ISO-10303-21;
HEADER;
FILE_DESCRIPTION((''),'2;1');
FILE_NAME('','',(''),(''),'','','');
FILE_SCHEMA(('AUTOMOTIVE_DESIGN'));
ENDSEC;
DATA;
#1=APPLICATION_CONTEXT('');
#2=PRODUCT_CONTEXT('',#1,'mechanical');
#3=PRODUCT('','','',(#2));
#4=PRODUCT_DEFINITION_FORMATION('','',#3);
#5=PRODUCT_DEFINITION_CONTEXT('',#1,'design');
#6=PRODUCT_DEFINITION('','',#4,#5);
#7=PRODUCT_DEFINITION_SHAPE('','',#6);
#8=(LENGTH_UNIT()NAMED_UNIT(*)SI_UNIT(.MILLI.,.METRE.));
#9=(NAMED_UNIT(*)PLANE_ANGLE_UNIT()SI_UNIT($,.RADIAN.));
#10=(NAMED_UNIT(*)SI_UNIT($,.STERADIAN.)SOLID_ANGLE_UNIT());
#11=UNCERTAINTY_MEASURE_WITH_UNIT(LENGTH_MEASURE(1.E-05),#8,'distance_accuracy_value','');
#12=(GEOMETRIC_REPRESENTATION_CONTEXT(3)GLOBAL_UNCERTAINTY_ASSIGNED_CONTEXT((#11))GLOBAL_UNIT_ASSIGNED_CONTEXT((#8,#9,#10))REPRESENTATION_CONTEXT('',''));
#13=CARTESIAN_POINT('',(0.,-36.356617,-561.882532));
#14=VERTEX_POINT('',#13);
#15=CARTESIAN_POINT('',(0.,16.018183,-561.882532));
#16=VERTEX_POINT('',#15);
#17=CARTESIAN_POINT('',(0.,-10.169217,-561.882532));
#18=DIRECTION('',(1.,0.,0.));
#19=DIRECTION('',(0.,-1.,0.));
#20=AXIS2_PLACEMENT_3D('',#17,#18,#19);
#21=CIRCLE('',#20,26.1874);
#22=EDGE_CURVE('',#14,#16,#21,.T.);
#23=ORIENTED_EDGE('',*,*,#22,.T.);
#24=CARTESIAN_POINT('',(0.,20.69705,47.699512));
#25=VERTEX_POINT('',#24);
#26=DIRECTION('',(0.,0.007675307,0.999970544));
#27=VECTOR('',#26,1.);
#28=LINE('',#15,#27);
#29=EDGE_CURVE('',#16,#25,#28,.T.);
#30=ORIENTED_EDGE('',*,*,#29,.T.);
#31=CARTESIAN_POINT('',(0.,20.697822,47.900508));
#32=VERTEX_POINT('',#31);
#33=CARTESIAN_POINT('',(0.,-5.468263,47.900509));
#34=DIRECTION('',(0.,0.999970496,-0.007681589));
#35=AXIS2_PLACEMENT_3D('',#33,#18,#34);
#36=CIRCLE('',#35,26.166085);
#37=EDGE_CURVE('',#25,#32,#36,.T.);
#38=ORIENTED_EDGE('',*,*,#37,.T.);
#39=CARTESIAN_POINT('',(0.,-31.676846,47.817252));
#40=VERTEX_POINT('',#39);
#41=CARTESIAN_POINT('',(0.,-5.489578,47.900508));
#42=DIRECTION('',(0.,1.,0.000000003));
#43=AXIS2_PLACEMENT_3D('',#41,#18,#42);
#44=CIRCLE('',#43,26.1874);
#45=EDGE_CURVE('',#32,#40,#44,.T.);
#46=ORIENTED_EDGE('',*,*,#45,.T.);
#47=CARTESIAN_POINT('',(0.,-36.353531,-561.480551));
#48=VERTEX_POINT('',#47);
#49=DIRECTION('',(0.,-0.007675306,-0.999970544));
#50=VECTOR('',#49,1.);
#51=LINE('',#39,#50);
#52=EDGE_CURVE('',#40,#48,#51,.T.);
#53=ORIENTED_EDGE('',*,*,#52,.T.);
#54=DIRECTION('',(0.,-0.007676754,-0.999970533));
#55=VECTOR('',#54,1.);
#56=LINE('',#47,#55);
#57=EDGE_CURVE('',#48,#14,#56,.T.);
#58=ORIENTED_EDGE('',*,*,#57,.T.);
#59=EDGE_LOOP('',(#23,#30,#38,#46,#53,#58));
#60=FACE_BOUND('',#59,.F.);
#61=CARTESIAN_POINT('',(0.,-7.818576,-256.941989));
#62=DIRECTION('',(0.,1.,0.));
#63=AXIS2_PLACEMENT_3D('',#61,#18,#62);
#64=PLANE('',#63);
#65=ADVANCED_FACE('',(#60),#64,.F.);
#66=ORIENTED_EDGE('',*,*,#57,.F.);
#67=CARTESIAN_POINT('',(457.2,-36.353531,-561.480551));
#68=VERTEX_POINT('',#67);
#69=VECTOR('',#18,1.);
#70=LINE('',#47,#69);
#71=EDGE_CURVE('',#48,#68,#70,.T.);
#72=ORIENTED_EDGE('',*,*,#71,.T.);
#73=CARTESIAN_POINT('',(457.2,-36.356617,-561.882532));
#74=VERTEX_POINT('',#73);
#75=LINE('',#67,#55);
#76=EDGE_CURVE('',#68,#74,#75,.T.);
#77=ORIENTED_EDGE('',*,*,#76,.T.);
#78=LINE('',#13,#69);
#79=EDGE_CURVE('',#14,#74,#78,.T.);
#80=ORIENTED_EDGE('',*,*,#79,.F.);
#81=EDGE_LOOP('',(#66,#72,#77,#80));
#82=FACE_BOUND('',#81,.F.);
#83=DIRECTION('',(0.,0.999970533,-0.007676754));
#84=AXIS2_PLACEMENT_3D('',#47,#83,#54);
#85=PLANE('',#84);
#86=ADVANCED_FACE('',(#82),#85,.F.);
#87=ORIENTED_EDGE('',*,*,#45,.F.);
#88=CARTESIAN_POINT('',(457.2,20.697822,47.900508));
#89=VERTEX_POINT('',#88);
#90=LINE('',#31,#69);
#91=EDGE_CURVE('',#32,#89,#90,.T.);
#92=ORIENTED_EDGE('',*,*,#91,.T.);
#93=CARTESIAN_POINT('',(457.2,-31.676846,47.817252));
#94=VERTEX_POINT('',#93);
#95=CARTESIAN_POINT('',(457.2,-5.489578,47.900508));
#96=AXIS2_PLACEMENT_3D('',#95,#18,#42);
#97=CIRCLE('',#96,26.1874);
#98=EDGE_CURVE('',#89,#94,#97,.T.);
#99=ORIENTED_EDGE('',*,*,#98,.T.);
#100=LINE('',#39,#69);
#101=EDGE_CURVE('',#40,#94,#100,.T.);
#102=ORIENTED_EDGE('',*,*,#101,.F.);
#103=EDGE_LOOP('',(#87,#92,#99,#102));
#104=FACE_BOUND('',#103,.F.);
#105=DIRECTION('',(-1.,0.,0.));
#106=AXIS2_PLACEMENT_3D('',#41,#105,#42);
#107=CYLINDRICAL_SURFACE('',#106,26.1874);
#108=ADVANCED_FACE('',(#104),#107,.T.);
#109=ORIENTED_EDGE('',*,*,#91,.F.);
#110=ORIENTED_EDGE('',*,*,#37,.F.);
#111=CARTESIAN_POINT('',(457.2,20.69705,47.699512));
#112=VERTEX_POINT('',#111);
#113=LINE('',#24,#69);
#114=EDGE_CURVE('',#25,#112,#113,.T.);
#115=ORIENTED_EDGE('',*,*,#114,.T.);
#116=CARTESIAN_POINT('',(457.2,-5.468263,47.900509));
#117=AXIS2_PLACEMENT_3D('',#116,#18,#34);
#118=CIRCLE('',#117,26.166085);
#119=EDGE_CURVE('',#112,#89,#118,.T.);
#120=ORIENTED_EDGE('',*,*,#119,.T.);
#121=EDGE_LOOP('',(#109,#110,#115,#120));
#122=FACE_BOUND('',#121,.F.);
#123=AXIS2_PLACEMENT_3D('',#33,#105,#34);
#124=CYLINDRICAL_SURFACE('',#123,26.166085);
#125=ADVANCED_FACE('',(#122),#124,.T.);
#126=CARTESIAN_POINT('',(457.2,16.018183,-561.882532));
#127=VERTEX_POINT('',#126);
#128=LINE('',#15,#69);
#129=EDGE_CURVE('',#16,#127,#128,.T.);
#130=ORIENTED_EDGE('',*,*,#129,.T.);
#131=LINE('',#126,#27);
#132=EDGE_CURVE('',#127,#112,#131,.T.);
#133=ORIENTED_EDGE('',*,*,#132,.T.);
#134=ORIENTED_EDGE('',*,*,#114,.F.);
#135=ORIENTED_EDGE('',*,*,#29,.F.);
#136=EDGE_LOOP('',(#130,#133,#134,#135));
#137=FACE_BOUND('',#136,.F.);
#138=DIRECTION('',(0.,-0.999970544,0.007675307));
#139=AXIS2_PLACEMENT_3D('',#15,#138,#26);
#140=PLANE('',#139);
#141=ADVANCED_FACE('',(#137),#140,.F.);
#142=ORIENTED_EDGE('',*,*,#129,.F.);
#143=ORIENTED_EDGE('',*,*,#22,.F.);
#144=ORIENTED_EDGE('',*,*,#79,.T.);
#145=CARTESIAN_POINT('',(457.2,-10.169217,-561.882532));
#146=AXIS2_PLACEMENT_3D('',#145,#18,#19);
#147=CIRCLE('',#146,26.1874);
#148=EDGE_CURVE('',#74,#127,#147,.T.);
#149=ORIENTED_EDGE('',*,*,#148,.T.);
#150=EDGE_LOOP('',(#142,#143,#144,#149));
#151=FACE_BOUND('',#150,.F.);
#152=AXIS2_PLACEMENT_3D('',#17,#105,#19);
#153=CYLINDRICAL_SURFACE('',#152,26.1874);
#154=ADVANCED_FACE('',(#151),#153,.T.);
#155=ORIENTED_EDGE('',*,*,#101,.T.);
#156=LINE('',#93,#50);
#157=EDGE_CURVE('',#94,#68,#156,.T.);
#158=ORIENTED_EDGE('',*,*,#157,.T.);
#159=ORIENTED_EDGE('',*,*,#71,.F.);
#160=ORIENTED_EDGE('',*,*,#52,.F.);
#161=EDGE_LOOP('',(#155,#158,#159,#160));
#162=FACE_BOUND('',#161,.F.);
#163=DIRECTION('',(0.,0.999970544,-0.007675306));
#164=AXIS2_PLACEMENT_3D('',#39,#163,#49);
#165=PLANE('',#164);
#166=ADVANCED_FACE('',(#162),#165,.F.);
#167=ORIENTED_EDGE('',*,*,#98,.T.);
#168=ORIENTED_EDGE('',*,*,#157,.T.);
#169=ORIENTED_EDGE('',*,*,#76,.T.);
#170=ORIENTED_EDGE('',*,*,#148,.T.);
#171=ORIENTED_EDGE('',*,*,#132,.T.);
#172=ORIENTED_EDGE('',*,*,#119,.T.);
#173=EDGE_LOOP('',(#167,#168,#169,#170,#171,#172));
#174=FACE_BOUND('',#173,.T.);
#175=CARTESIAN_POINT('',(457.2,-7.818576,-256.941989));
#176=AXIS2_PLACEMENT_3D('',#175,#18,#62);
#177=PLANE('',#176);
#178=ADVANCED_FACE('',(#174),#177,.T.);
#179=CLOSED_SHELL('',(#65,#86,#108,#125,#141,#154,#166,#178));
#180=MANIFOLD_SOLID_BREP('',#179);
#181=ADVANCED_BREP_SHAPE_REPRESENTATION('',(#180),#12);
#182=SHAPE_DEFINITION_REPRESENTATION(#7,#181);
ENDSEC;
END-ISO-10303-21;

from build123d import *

# Parameters (mm, degrees)
F1_DEPTH = 457.2


with BuildPart() as f1:
    # F0 (on Right) → F1 (new body)
    with BuildSketch(Plane.YZ):
        with BuildLine():
            ThreePointArc((20.69705, 47.699512), (-5.548449, 21.713175), (-31.676846, 47.817252))
            Line((-31.676846, 47.817252), (-36.353531, -561.480551))
            ThreePointArc((-36.353531, -561.480551), (-9.96822, -535.695903), (16.018183, -561.882532))
            Line((16.018183, -561.882532), (20.69705, 47.699512))
        make_face()
        with BuildLine():
            ThreePointArc((16.018183, -561.882532), (-9.96822, -535.695903), (-36.353531, -561.480551))
            Line((-36.353531, -561.480551), (-36.356617, -561.882532))
            ThreePointArc((-36.356617, -561.882532), (-10.169217, -588.069932), (16.018183, -561.882532))
        make_face()
        with BuildLine():
            ThreePointArc((20.69705, 47.699512), (20.697629, 47.80001), (20.697822, 47.900508))
            ThreePointArc((20.697822, 47.900508), (-5.531207, 74.087875), (-31.676846, 47.817252))
            ThreePointArc((-31.676846, 47.817252), (-5.548449, 21.713175), (20.69705, 47.699512))
        make_face()
    extrude(amount=F1_DEPTH)


solid = f1.part
